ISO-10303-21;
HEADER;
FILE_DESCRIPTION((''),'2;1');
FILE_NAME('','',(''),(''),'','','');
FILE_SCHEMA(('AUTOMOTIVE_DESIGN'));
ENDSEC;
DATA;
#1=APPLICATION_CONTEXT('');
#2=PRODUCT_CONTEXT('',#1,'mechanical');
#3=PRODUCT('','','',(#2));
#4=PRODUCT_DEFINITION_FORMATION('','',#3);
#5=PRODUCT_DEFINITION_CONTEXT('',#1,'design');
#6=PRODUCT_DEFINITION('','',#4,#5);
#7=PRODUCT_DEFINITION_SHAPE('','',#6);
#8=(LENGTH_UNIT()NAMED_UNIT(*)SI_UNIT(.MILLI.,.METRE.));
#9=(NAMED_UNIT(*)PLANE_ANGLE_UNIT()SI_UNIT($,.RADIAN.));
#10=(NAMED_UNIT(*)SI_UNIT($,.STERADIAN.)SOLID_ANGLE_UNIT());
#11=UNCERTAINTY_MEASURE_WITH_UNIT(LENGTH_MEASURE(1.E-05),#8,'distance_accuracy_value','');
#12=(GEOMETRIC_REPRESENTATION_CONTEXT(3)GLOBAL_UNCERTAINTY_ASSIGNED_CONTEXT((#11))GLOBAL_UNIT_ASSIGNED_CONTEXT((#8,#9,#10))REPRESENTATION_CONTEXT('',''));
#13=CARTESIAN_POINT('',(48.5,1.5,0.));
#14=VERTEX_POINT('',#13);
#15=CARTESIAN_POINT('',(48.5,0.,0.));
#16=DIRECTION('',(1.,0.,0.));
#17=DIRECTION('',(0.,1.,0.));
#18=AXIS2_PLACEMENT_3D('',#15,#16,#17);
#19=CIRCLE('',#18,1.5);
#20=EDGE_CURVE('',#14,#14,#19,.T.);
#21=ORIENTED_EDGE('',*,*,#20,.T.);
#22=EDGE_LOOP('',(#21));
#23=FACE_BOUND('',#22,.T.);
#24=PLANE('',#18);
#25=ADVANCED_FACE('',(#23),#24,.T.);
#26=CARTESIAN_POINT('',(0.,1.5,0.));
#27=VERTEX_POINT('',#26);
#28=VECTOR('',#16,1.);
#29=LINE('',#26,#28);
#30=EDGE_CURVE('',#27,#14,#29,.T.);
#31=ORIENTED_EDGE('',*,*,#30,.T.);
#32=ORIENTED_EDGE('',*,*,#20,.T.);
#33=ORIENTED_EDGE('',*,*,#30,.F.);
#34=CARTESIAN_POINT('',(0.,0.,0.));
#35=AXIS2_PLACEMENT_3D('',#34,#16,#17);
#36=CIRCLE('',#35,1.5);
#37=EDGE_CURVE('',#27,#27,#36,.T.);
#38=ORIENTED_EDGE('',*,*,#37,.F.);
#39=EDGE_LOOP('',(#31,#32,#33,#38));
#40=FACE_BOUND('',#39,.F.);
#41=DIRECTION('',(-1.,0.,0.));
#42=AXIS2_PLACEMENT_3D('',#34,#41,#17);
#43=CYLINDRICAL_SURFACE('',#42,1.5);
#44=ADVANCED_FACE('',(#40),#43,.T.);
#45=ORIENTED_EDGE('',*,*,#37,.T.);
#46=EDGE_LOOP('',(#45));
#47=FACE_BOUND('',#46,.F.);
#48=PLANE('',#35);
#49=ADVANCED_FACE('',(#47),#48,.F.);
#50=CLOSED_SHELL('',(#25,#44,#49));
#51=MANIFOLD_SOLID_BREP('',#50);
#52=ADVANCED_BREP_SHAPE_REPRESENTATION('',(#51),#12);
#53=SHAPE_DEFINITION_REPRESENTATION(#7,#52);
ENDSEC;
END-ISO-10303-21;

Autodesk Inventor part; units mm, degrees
ref_plane "YZ Plane" through (0, 0, 0) normal (1, 0, 0) x (0, 1, 0)
ref_plane "XZ Plane" through (0, 0, 0) normal (0, 1, 0) x (-1, 0, 0)
ref_plane "XY Plane" through (0, 0, 0) normal (0, 0, 1) x (1, 0, 0)
sketch "スケッチ1" plane through (0, 0, 0) normal (1, 0, 0) x (0, 1, 0)
  circle A0 centre (0, 0) radius 1.5
  dimension "d0" = 3
extrude "押し出し1" add sketch "スケッチ1" along normal blind 48.5
properties part number "shaft" material "アルミニウム"
